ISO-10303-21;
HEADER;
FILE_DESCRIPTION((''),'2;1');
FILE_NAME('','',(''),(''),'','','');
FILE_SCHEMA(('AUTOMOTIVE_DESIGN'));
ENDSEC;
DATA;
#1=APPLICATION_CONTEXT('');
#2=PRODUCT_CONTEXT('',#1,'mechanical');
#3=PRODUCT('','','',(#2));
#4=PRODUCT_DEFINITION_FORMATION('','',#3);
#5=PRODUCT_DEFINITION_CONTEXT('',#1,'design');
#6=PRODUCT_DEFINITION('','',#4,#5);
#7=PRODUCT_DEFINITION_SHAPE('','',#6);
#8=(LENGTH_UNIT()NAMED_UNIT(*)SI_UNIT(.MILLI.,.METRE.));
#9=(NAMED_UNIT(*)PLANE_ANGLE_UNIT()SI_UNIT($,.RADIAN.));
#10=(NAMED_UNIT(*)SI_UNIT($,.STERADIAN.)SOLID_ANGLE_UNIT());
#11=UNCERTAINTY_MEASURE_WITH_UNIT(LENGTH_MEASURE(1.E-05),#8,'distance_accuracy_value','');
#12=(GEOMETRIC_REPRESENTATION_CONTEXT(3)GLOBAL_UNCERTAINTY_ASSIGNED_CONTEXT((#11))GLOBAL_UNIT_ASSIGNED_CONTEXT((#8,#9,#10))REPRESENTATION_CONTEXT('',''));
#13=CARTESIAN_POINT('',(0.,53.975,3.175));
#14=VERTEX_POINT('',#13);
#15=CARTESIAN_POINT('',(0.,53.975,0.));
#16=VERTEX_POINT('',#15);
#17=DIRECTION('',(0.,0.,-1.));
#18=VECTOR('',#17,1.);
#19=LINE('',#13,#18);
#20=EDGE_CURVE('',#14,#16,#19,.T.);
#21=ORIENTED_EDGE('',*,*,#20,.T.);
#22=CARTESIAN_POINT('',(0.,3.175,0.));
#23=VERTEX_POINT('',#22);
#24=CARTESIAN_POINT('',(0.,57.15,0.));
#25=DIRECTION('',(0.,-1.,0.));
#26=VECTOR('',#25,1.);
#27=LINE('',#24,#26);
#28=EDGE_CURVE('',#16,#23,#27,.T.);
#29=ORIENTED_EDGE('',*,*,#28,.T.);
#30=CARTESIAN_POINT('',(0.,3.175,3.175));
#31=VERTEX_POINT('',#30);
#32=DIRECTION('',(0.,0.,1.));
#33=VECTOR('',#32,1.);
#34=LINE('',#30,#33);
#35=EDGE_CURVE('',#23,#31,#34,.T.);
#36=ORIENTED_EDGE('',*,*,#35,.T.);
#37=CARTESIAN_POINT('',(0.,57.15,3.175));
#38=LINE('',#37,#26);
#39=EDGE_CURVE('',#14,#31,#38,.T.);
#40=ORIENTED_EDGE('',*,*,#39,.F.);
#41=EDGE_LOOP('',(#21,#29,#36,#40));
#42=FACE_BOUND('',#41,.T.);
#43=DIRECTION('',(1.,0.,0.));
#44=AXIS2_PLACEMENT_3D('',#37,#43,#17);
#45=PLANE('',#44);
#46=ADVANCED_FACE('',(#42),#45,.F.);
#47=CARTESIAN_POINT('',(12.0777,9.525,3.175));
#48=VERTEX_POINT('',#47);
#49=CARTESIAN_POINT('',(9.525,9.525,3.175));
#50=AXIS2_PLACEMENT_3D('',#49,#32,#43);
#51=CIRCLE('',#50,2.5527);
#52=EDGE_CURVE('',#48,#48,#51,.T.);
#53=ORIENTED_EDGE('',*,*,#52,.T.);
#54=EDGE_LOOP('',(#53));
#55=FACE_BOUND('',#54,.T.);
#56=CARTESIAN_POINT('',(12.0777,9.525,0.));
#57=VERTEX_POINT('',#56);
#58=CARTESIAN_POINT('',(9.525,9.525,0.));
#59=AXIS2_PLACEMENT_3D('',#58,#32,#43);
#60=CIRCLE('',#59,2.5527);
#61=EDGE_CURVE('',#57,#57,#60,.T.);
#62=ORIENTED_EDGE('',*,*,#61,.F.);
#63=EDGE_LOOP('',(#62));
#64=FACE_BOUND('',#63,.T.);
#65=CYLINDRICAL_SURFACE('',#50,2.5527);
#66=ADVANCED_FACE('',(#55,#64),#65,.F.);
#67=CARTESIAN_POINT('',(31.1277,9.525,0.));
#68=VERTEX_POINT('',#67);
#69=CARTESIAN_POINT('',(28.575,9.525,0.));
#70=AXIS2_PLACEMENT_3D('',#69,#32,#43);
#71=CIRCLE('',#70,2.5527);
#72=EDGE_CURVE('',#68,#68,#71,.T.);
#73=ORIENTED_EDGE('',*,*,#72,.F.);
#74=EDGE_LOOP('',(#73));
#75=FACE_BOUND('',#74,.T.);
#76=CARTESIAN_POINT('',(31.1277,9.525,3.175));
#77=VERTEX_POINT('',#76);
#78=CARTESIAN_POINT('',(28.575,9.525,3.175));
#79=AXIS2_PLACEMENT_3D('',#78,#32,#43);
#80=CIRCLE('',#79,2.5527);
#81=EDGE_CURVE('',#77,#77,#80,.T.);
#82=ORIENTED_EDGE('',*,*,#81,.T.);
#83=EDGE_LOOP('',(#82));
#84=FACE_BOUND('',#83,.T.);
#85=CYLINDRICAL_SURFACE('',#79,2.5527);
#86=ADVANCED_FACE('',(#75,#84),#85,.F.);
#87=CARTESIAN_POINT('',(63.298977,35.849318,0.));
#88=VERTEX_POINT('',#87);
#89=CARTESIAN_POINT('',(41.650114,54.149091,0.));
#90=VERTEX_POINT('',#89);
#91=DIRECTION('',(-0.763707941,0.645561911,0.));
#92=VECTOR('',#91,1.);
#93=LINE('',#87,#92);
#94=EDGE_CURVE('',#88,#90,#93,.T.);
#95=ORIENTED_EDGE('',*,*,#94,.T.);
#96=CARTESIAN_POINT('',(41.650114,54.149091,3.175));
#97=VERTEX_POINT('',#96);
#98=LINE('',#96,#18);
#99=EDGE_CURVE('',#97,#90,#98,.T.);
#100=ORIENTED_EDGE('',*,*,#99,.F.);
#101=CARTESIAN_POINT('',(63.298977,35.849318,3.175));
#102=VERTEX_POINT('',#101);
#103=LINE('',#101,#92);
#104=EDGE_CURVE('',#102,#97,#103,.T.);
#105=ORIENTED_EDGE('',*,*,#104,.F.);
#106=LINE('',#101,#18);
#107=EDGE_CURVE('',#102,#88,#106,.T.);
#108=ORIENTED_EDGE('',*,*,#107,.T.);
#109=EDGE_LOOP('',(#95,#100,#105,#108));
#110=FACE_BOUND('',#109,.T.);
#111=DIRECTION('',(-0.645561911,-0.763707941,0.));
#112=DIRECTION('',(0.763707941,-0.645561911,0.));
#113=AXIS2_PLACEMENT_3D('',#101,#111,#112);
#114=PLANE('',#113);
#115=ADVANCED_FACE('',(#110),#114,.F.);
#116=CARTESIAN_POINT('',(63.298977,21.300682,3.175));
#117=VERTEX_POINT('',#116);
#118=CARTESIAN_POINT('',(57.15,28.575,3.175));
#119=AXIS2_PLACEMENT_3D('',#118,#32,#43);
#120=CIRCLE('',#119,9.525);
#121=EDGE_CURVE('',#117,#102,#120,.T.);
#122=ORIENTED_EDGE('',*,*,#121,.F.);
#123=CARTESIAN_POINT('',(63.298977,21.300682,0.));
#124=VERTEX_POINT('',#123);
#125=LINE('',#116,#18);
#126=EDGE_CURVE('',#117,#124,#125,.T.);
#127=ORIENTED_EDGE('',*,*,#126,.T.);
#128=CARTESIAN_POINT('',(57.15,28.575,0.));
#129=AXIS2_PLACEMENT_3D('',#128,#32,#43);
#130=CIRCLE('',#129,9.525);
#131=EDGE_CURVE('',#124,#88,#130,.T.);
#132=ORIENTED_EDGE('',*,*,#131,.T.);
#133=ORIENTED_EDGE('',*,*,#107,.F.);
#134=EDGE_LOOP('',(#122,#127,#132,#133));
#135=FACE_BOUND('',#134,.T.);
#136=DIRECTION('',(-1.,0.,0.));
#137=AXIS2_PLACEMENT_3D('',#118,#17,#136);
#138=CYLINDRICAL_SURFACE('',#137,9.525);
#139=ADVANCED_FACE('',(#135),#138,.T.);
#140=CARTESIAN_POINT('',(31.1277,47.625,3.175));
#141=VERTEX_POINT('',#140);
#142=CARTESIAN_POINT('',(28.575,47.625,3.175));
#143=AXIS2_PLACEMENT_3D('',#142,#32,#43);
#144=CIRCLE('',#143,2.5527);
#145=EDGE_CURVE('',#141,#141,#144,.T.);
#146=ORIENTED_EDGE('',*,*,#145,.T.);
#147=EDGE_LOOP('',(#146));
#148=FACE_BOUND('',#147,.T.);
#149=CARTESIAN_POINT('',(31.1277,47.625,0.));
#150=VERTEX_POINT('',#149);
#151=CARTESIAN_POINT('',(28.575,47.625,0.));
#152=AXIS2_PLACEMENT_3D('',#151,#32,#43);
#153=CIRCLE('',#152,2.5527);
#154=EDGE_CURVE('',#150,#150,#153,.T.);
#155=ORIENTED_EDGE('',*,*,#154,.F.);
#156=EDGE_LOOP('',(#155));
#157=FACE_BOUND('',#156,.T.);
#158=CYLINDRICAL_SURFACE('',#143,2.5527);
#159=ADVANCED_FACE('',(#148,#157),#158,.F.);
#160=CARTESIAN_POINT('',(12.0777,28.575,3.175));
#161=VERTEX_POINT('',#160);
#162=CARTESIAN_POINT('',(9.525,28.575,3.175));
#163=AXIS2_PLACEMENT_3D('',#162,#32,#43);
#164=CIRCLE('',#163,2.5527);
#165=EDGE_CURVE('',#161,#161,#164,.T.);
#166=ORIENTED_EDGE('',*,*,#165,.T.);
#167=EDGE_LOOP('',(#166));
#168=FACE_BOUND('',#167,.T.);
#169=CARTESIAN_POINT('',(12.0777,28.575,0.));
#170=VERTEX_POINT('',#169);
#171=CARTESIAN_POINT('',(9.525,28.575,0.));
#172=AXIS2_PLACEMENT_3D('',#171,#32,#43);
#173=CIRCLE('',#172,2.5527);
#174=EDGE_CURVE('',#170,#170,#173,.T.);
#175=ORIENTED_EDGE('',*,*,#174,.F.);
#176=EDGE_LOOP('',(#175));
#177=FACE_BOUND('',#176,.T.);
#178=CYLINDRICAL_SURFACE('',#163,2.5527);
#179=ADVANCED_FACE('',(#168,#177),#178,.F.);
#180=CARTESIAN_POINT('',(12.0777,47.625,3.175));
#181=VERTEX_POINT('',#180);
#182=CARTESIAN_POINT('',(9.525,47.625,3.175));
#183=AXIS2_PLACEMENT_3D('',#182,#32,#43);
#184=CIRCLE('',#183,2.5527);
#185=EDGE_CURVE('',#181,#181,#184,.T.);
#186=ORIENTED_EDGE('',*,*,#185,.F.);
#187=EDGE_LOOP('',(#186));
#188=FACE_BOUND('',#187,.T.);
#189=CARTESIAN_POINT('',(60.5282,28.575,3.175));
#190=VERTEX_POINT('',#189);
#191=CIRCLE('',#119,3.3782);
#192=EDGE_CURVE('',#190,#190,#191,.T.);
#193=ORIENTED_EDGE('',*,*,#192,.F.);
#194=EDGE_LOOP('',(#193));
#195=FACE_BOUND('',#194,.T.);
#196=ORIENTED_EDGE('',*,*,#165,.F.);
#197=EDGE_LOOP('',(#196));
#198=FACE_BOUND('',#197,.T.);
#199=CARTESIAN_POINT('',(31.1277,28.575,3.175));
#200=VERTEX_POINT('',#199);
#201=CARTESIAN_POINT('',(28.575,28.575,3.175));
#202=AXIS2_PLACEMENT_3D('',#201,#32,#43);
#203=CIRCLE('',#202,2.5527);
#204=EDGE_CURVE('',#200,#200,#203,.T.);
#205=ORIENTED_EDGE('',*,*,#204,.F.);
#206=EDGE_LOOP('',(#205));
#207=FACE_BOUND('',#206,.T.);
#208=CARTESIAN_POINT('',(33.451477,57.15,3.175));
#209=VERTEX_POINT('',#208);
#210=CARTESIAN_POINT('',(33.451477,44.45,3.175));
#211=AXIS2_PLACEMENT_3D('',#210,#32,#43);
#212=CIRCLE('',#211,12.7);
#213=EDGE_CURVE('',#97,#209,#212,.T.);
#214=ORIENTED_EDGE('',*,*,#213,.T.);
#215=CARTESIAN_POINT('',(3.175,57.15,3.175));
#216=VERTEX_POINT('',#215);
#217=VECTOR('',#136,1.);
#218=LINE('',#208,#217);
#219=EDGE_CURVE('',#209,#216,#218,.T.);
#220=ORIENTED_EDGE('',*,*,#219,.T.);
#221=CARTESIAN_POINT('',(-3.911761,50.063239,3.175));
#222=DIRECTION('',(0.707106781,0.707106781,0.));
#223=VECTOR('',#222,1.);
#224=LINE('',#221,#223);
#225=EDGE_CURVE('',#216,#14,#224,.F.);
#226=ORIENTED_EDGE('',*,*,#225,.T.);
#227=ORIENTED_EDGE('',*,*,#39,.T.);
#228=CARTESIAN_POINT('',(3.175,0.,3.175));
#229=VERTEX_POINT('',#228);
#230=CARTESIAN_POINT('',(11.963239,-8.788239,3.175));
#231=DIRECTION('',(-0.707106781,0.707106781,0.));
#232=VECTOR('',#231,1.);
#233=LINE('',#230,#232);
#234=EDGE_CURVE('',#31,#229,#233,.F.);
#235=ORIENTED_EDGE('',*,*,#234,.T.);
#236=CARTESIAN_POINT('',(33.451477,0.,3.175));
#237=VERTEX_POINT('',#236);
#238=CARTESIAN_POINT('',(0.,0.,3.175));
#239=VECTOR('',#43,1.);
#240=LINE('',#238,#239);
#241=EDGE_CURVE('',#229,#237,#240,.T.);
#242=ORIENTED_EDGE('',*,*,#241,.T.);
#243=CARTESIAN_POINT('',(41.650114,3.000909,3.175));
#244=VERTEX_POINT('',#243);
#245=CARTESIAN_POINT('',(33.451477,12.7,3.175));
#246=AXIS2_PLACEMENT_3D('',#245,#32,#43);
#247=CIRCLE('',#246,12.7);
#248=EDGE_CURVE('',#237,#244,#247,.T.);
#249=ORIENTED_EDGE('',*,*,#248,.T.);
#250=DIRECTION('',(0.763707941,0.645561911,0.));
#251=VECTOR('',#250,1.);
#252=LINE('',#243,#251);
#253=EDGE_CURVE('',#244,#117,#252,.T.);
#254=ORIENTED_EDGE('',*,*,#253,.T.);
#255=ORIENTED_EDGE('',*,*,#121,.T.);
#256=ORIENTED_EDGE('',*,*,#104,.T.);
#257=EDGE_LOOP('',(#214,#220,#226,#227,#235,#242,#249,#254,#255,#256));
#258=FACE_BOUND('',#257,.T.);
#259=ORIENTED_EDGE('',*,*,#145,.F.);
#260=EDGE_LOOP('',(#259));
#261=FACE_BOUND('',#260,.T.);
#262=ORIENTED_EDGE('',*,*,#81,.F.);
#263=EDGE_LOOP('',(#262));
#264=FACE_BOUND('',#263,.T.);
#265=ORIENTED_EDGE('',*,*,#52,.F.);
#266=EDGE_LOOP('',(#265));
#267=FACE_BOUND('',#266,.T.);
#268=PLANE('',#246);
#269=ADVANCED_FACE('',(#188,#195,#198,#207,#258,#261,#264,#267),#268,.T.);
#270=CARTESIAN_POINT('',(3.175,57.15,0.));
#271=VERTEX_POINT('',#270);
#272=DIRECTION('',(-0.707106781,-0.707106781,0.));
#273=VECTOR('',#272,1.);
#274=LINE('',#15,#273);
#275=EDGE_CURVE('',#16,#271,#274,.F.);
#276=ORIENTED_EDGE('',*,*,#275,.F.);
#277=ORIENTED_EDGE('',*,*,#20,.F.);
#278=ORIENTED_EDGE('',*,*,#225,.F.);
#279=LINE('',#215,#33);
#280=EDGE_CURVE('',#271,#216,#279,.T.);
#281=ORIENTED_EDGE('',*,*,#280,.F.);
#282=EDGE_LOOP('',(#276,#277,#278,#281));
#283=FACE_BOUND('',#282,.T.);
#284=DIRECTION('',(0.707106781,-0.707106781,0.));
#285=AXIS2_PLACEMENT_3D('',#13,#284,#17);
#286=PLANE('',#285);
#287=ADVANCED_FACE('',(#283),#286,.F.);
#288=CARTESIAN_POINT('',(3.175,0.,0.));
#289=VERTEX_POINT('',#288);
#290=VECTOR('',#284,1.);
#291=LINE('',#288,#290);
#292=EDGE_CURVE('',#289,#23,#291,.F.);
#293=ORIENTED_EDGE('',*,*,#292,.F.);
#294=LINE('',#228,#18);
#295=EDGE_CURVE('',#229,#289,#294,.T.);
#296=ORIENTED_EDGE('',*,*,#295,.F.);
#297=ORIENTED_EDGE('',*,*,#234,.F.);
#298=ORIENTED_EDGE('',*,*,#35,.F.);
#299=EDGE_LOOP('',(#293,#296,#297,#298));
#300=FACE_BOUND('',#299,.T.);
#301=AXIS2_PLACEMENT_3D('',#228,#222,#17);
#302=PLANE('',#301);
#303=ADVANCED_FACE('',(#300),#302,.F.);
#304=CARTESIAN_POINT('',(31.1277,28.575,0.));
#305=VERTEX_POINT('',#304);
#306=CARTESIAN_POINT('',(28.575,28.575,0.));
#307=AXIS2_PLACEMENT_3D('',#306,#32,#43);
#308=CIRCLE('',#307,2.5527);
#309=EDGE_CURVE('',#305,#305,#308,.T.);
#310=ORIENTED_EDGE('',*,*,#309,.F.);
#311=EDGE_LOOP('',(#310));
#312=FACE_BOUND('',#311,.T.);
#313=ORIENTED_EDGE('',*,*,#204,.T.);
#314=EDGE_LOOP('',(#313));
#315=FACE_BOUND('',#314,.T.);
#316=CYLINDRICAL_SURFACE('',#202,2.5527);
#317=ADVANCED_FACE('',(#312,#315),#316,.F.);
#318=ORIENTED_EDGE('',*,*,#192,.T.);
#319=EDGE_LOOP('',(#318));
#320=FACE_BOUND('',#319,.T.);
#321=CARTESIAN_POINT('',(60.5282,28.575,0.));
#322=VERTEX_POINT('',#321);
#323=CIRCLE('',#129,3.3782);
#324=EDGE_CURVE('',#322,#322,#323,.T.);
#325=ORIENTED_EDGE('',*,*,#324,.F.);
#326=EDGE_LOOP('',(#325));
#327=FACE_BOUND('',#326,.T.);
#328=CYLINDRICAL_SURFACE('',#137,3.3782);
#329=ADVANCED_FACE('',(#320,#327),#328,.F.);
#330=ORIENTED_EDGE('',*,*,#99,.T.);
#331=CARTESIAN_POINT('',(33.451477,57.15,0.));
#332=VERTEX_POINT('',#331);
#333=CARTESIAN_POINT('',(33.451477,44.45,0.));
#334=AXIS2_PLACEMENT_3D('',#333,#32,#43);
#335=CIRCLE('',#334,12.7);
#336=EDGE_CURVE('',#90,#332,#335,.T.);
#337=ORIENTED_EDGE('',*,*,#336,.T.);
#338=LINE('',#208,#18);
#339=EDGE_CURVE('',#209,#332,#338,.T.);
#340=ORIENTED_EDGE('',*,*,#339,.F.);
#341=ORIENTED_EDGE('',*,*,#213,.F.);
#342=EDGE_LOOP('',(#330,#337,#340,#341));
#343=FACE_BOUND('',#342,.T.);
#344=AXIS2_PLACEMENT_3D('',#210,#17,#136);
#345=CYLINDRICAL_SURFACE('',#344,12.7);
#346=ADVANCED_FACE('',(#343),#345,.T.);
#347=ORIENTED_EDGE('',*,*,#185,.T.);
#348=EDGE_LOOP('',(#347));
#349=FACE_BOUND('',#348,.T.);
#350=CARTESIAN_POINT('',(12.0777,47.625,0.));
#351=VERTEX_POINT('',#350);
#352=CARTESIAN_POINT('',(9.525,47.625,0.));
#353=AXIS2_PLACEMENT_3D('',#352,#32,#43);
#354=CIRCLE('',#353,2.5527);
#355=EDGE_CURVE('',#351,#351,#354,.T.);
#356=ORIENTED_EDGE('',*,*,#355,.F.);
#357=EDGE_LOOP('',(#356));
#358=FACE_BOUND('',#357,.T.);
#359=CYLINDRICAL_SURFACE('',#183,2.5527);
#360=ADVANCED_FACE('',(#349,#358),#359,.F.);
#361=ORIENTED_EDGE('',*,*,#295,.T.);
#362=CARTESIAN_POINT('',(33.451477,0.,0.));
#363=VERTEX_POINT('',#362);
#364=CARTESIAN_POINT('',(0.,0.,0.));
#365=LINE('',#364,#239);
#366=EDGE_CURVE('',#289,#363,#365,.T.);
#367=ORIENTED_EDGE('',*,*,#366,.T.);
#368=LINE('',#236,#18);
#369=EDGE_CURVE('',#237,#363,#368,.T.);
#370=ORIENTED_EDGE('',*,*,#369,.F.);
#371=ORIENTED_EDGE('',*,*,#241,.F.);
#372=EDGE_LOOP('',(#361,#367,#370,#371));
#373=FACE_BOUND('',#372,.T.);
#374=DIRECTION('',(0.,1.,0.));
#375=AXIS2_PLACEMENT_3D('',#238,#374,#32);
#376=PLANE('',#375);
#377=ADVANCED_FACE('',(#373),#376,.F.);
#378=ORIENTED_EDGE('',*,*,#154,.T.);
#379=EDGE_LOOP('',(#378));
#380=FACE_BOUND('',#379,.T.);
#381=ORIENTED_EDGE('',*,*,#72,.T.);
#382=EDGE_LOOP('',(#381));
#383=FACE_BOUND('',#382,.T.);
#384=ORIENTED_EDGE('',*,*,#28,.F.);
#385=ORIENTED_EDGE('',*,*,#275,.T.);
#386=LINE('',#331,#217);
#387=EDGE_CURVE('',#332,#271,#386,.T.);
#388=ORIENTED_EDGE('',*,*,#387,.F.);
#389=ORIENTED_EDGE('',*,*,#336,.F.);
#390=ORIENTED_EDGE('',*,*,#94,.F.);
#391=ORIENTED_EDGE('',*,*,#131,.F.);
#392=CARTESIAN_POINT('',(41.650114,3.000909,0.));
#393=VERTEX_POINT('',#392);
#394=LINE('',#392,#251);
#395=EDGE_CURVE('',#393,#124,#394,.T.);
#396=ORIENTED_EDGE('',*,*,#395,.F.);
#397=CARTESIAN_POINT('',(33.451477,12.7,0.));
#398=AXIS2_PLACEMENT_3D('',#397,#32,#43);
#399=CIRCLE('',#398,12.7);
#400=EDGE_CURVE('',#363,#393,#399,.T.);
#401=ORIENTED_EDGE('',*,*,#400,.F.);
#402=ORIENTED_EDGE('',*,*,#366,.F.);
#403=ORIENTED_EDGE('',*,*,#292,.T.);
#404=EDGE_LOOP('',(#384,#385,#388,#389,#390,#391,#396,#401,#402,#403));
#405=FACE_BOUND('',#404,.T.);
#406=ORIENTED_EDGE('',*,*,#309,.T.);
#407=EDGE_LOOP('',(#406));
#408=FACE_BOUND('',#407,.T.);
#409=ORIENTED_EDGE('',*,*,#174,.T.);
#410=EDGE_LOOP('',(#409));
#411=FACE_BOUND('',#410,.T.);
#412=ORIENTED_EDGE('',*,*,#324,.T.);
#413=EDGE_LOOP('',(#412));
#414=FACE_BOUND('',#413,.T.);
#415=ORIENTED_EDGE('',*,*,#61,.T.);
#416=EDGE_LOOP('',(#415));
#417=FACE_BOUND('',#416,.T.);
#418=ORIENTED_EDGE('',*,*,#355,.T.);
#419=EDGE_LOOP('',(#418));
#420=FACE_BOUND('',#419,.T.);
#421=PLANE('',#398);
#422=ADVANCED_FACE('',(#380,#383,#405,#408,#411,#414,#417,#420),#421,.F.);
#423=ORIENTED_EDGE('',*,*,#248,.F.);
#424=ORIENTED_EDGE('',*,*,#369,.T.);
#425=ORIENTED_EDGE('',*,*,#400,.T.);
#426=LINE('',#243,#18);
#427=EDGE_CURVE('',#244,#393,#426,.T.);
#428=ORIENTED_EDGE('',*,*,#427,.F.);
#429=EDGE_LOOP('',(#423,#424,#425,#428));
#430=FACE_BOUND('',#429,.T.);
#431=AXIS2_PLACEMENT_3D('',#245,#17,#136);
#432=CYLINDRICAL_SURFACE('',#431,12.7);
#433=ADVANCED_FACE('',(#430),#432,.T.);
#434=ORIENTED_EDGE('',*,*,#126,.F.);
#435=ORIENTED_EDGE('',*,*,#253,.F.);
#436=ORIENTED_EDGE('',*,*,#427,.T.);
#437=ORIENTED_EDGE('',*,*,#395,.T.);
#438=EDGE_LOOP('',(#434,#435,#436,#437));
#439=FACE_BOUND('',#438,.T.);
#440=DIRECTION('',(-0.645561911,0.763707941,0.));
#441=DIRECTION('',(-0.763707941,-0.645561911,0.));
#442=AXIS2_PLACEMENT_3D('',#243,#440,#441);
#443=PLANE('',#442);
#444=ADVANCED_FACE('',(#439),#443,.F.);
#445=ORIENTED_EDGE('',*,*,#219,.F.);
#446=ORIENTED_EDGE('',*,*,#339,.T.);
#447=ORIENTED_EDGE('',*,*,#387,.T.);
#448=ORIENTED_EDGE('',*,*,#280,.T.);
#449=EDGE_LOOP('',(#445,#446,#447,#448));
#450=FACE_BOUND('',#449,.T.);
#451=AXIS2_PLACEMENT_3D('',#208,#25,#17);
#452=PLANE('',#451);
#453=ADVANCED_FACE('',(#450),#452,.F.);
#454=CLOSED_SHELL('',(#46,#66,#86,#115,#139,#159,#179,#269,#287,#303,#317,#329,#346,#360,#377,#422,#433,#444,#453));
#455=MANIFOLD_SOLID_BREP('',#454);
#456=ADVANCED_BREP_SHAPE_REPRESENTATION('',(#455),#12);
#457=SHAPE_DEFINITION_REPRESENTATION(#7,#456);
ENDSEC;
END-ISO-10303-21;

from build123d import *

# Parameters (mm, degrees)
SKETCH1_R              = 3.3782
BOSS_EXTRUDE1_DEPTH    = 3.175
F_10_CLEARANCE_HOLE1_D = 5.1054
CHAMFER1_SIZE          = 3.175


with BuildPart() as part:
    # Sketch1 → Boss-Extrude1 (new body)
    with BuildSketch(Plane.XY):
        with BuildLine():
            Line((0, 0), (33.451477372, 0))
            ThreePointArc((33.451477372, 0), (37.816769242, 0.77380082), (41.650113644, 3.000909152))
            Line((41.650113644, 3.000909152), (63.298977204, 21.300681864))
            ThreePointArc((63.298977204, 21.300681864), (66.675, 28.575), (63.298977204, 35.849318136))
            Line((63.298977204, 35.849318136), (41.650113644, 54.149090848))
            ThreePointArc((41.650113644, 54.149090848), (37.816769242, 56.37619918), (33.451477372, 57.15))
            Line((33.451477372, 57.15), (0, 57.15))
            Line((0, 57.15), (0, 0))
        make_face()
        with Locations((57.15, 28.575)):
            Circle(SKETCH1_R, mode=Mode.SUBTRACT)
    extrude(amount=BOSS_EXTRUDE1_DEPTH)

    # #10 Clearance Hole1 (through all)
    with Locations(Plane.XY.offset(3.175)):
        with Locations((28.575, 28.575), (9.525, 28.575), (9.525, 47.625), (28.575, 47.625), (28.575, 9.525), (9.525, 9.525)):
            Hole(F_10_CLEARANCE_HOLE1_D / 2)

    # Chamfer1
    chamfer1_edges = [part.edges().sort_by_distance(p)[0] for p in [
        (0, 57.15, 1.5875),
        (0, 0, 1.5875),
    ]]
    chamfer(chamfer1_edges, length=CHAMFER1_SIZE)


solid = part.part
